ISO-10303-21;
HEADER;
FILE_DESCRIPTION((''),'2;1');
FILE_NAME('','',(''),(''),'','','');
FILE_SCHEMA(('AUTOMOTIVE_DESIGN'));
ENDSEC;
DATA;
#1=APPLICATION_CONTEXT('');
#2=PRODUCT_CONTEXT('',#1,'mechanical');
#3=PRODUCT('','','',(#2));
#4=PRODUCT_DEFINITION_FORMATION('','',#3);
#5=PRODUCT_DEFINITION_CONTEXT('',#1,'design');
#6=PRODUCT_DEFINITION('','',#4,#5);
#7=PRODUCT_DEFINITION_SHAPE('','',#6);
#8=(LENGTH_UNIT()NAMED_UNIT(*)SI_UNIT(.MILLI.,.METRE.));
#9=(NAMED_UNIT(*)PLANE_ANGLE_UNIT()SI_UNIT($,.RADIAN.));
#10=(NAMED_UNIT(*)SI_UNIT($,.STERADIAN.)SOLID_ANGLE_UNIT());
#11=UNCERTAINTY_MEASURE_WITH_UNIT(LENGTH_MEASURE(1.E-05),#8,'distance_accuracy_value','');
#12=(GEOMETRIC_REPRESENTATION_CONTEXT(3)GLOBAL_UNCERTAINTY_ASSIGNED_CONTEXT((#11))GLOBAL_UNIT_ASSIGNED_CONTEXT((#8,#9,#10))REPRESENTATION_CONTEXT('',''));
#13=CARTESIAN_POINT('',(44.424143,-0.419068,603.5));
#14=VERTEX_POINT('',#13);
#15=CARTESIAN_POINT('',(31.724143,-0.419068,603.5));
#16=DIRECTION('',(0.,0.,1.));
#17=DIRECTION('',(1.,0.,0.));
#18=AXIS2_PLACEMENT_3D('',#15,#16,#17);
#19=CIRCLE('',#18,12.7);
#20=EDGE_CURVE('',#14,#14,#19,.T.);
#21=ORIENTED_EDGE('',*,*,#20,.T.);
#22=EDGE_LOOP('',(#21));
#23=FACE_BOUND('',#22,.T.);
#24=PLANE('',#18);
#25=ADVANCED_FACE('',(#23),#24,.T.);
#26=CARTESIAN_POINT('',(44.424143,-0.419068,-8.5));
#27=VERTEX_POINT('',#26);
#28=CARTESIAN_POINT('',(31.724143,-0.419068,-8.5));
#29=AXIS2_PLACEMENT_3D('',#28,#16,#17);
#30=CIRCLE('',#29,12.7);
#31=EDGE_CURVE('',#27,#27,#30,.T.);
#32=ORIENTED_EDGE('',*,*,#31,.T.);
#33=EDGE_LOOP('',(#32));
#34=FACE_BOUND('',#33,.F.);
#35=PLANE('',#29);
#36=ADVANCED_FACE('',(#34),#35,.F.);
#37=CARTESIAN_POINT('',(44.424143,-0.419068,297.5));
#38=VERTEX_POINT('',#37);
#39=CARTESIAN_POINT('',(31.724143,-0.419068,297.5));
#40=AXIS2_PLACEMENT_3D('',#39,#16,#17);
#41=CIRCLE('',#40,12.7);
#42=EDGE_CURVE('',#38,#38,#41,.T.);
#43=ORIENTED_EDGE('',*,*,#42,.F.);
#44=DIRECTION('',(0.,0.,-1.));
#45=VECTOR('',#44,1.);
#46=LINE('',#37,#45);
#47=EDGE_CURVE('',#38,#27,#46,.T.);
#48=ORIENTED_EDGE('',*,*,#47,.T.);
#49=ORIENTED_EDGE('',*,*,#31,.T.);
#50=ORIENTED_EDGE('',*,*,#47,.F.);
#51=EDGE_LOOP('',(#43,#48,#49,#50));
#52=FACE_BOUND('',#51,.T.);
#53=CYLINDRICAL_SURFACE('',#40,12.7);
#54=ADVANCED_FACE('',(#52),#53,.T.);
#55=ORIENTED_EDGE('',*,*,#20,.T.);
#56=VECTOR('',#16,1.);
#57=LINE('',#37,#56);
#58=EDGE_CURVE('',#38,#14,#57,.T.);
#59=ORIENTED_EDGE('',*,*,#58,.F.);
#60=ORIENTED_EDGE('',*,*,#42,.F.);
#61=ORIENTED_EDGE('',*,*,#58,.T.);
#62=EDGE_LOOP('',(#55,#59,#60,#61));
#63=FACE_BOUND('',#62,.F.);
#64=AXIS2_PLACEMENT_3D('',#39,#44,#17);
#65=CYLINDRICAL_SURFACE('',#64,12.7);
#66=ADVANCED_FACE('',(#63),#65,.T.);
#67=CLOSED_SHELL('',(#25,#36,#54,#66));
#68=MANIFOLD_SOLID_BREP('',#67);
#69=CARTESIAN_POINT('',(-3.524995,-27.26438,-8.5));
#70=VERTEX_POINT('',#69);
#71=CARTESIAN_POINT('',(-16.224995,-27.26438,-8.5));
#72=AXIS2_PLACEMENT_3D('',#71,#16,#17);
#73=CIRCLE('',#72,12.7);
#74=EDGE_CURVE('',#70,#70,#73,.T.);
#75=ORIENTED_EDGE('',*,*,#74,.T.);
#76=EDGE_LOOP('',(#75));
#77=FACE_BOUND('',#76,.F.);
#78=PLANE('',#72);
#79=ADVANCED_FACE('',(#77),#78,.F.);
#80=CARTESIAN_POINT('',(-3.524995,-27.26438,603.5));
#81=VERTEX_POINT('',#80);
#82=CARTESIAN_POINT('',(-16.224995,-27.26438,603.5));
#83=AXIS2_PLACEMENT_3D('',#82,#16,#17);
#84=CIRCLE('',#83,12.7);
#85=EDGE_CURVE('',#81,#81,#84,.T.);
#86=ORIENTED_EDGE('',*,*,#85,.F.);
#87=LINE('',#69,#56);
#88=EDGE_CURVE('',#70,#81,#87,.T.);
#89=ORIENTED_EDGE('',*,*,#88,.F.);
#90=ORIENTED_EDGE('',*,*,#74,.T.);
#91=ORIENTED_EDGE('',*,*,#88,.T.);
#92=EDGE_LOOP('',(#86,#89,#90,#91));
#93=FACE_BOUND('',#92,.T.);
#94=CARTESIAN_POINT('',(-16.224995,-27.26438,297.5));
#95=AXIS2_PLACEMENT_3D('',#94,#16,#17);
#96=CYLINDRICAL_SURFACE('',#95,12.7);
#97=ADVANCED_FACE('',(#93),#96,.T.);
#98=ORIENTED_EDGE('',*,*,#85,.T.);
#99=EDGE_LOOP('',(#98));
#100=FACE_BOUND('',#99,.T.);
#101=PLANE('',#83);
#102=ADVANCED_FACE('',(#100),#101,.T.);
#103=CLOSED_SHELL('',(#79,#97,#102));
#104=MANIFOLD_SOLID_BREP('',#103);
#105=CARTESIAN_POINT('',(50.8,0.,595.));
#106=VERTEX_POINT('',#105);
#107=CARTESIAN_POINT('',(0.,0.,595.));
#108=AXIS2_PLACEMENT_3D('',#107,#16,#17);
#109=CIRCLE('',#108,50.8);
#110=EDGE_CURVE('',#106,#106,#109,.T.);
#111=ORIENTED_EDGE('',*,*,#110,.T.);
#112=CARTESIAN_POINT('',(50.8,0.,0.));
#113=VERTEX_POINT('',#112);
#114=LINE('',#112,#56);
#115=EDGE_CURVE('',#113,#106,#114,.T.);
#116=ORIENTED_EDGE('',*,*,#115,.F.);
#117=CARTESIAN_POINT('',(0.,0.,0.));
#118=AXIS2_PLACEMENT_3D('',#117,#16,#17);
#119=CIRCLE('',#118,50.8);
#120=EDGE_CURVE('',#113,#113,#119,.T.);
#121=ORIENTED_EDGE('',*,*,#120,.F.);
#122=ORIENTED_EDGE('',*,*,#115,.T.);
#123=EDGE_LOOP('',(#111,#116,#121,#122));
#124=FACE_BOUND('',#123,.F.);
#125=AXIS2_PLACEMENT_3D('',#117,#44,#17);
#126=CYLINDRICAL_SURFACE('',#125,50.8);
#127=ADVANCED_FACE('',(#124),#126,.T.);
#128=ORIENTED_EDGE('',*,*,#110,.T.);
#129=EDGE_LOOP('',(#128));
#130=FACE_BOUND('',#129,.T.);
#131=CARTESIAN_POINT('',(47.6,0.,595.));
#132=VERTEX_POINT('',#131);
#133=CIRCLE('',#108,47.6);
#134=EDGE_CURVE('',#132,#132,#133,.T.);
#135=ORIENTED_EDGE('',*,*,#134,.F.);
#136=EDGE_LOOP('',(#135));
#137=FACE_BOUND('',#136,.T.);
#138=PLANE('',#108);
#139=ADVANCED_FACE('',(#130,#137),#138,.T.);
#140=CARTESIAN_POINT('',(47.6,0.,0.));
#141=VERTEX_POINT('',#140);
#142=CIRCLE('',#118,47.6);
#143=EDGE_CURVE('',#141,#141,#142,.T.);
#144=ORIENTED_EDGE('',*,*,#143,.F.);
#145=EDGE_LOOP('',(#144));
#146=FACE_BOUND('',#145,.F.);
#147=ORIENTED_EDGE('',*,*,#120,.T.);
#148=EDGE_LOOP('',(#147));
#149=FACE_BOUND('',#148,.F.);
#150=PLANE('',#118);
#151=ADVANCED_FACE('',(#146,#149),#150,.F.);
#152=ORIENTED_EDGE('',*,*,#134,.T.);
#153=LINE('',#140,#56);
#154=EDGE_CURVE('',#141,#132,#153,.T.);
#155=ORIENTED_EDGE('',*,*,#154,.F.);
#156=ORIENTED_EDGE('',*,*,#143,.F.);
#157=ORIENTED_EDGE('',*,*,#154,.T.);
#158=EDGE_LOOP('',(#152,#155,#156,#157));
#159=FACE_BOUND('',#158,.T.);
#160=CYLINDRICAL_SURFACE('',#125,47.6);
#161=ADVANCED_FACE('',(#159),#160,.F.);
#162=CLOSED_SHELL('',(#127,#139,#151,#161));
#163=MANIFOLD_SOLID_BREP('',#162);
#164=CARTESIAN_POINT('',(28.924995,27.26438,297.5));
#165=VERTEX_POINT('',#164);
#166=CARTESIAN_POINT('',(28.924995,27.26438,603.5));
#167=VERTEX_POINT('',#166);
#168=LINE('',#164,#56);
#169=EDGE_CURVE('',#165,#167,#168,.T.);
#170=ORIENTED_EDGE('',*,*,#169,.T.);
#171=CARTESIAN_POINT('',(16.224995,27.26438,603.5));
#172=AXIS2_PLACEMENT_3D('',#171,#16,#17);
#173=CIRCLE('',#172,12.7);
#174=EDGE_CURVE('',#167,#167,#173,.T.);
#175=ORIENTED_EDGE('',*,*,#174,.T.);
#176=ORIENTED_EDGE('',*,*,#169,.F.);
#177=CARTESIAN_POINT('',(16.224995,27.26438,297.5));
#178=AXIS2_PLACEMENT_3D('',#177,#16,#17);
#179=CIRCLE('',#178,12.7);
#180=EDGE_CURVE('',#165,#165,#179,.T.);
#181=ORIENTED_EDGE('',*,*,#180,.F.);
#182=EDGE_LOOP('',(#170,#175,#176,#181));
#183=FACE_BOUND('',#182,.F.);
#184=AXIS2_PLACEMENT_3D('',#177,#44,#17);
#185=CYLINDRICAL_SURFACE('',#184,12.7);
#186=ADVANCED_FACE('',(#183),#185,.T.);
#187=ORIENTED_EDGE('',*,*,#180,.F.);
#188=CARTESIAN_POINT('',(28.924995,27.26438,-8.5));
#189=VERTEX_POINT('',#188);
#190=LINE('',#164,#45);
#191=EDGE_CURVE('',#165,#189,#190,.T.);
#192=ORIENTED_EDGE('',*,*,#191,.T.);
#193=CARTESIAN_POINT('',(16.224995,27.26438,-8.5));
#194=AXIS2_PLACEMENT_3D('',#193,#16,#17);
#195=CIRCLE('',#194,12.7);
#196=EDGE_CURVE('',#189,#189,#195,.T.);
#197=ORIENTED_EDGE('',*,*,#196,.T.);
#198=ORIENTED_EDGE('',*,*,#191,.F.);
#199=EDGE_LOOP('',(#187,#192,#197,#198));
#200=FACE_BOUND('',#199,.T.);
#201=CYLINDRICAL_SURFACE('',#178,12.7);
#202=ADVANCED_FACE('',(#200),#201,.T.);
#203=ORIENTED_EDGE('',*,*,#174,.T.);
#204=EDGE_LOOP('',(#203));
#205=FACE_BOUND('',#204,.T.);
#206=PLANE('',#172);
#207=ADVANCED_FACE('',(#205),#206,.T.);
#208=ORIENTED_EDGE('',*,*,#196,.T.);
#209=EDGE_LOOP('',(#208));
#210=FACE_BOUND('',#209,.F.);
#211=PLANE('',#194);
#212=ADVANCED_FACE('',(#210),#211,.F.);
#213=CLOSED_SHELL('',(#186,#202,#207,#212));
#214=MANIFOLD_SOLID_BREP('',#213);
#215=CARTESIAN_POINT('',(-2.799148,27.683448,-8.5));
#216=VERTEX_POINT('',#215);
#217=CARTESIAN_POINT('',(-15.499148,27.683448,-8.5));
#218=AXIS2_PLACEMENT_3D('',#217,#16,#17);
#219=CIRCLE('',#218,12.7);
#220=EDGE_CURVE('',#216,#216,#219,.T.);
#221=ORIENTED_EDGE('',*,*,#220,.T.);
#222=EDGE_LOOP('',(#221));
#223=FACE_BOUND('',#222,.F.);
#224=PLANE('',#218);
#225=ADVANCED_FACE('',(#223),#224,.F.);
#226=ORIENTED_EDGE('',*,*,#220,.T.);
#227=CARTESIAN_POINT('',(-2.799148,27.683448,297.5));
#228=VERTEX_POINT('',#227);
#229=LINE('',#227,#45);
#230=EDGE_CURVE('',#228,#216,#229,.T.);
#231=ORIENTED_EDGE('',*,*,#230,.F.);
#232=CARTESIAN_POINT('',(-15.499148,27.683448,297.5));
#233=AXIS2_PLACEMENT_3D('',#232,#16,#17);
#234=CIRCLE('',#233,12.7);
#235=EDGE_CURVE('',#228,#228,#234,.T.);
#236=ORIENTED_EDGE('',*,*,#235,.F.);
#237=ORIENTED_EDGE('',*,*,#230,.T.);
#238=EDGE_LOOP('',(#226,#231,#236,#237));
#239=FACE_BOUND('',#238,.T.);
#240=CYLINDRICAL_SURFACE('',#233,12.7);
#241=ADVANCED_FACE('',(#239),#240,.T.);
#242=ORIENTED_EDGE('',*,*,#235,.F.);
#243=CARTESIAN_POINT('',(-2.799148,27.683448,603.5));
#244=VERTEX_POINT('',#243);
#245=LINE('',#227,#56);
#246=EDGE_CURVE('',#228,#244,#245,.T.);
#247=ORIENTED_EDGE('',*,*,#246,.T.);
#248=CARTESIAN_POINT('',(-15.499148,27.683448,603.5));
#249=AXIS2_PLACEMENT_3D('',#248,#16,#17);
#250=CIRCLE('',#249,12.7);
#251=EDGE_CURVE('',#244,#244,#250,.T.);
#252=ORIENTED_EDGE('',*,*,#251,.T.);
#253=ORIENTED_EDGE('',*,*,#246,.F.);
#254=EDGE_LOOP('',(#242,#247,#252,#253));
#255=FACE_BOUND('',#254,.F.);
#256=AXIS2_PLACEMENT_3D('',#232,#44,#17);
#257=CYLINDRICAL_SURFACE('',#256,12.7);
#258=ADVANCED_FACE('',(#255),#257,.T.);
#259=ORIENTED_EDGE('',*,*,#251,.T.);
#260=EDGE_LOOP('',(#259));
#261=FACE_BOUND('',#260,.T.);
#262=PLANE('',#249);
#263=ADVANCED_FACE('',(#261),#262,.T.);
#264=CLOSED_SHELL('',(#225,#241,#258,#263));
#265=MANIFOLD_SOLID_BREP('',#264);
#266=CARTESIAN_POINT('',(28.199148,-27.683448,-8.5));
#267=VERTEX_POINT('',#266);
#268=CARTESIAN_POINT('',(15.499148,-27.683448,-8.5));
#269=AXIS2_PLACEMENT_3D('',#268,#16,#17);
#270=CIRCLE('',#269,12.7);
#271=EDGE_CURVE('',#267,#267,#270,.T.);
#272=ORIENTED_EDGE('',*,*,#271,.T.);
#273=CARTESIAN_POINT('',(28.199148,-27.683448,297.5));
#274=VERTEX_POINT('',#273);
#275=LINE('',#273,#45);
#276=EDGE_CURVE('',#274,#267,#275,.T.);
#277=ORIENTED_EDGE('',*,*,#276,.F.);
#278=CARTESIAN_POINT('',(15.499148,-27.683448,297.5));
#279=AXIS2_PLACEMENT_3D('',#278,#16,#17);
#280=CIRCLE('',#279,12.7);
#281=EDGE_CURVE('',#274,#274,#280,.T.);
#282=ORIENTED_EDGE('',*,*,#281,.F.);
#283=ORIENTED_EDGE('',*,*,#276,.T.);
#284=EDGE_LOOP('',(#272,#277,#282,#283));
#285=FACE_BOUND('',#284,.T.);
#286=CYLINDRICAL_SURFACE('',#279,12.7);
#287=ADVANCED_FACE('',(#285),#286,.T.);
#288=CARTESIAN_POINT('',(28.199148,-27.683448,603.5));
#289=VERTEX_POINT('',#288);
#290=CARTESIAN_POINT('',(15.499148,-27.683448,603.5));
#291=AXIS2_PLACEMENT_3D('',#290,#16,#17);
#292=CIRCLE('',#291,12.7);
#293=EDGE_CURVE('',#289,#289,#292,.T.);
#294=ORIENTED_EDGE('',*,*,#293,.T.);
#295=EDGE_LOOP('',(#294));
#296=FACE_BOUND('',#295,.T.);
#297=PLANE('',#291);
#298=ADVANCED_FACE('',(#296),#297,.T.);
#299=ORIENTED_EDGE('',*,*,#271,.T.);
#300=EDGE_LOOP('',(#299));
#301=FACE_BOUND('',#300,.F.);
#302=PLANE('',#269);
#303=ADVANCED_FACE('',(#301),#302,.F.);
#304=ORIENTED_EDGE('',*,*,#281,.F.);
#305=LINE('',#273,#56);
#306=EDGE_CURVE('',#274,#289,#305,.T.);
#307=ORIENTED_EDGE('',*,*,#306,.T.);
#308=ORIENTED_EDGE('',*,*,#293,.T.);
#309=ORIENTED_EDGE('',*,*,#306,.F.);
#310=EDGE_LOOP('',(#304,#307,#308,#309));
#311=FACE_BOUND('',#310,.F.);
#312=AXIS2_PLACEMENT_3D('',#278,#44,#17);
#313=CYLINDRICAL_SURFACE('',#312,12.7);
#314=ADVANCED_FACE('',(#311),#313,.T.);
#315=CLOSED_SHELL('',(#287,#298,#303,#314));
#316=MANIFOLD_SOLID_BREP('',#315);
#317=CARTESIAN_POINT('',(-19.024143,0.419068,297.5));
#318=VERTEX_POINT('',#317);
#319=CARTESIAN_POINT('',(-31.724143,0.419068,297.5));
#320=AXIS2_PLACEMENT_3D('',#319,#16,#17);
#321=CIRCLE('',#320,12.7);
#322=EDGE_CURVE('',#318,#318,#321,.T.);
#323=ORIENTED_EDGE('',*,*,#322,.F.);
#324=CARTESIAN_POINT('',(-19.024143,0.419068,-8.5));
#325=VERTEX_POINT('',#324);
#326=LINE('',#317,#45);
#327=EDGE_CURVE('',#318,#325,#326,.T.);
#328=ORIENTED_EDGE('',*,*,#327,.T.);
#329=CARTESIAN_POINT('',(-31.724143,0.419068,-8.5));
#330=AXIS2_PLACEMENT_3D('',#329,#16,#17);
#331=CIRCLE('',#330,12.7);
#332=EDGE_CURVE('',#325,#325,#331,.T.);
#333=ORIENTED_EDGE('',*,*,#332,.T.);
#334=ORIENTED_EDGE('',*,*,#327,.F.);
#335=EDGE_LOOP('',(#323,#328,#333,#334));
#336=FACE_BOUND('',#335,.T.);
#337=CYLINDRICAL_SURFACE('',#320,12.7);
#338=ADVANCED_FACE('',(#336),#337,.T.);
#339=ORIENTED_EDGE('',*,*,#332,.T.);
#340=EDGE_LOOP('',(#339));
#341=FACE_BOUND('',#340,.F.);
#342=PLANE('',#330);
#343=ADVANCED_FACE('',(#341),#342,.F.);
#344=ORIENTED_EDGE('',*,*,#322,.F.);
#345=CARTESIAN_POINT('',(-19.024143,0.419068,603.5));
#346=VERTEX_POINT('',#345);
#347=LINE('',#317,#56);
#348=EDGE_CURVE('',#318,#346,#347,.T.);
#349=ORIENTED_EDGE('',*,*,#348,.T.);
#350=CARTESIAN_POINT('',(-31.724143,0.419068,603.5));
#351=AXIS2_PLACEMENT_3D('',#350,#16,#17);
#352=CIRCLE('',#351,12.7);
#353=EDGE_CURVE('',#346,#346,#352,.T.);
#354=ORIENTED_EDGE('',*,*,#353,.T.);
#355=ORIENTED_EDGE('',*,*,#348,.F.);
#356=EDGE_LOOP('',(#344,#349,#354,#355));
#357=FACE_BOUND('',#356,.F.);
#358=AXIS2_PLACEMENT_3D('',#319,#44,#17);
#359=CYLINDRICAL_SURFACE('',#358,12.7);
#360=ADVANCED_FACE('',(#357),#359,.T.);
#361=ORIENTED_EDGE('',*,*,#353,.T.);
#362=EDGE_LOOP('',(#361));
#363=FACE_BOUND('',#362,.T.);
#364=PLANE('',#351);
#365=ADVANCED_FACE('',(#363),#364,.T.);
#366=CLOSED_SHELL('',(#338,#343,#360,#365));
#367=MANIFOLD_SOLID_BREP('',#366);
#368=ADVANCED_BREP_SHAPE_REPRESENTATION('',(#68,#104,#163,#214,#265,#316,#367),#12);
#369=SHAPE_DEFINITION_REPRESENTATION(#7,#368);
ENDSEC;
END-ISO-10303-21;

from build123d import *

# Parameters (mm, degrees)
F0_R     = 50.8
F0_R_2   = 47.6
F1_DEPTH = 595
F3_R     = 12.7
F4_DEPTH = 306


with BuildPart() as f1:
    # F0 (on Top) → F1 (new body)
    with BuildSketch(Plane.XY):
        Circle(F0_R)
        Circle(F0_R_2, mode=Mode.SUBTRACT)
    extrude(amount=F1_DEPTH)


with BuildPart() as f4:
    # F3 (on offset) → F4 (new body, symmetric)
    with BuildSketch(Plane.XY.offset(297.5)):
        with Locations((-15.499148, 27.683448)):
            Circle(F3_R)
        with Locations((16.224995, 27.26438)):
            Circle(F3_R)
        with Locations((-31.724143, 0.419068)):
            Circle(F3_R)
        with Locations((31.724143, -0.419068)):
            Circle(F3_R)
        with Locations((15.499148, -27.683448)):
            Circle(F3_R)
        with Locations((-16.224995, -27.26438)):
            Circle(F3_R)
    extrude(amount=F4_DEPTH, both=True)


solid = Compound([f1.part, f4.part])
